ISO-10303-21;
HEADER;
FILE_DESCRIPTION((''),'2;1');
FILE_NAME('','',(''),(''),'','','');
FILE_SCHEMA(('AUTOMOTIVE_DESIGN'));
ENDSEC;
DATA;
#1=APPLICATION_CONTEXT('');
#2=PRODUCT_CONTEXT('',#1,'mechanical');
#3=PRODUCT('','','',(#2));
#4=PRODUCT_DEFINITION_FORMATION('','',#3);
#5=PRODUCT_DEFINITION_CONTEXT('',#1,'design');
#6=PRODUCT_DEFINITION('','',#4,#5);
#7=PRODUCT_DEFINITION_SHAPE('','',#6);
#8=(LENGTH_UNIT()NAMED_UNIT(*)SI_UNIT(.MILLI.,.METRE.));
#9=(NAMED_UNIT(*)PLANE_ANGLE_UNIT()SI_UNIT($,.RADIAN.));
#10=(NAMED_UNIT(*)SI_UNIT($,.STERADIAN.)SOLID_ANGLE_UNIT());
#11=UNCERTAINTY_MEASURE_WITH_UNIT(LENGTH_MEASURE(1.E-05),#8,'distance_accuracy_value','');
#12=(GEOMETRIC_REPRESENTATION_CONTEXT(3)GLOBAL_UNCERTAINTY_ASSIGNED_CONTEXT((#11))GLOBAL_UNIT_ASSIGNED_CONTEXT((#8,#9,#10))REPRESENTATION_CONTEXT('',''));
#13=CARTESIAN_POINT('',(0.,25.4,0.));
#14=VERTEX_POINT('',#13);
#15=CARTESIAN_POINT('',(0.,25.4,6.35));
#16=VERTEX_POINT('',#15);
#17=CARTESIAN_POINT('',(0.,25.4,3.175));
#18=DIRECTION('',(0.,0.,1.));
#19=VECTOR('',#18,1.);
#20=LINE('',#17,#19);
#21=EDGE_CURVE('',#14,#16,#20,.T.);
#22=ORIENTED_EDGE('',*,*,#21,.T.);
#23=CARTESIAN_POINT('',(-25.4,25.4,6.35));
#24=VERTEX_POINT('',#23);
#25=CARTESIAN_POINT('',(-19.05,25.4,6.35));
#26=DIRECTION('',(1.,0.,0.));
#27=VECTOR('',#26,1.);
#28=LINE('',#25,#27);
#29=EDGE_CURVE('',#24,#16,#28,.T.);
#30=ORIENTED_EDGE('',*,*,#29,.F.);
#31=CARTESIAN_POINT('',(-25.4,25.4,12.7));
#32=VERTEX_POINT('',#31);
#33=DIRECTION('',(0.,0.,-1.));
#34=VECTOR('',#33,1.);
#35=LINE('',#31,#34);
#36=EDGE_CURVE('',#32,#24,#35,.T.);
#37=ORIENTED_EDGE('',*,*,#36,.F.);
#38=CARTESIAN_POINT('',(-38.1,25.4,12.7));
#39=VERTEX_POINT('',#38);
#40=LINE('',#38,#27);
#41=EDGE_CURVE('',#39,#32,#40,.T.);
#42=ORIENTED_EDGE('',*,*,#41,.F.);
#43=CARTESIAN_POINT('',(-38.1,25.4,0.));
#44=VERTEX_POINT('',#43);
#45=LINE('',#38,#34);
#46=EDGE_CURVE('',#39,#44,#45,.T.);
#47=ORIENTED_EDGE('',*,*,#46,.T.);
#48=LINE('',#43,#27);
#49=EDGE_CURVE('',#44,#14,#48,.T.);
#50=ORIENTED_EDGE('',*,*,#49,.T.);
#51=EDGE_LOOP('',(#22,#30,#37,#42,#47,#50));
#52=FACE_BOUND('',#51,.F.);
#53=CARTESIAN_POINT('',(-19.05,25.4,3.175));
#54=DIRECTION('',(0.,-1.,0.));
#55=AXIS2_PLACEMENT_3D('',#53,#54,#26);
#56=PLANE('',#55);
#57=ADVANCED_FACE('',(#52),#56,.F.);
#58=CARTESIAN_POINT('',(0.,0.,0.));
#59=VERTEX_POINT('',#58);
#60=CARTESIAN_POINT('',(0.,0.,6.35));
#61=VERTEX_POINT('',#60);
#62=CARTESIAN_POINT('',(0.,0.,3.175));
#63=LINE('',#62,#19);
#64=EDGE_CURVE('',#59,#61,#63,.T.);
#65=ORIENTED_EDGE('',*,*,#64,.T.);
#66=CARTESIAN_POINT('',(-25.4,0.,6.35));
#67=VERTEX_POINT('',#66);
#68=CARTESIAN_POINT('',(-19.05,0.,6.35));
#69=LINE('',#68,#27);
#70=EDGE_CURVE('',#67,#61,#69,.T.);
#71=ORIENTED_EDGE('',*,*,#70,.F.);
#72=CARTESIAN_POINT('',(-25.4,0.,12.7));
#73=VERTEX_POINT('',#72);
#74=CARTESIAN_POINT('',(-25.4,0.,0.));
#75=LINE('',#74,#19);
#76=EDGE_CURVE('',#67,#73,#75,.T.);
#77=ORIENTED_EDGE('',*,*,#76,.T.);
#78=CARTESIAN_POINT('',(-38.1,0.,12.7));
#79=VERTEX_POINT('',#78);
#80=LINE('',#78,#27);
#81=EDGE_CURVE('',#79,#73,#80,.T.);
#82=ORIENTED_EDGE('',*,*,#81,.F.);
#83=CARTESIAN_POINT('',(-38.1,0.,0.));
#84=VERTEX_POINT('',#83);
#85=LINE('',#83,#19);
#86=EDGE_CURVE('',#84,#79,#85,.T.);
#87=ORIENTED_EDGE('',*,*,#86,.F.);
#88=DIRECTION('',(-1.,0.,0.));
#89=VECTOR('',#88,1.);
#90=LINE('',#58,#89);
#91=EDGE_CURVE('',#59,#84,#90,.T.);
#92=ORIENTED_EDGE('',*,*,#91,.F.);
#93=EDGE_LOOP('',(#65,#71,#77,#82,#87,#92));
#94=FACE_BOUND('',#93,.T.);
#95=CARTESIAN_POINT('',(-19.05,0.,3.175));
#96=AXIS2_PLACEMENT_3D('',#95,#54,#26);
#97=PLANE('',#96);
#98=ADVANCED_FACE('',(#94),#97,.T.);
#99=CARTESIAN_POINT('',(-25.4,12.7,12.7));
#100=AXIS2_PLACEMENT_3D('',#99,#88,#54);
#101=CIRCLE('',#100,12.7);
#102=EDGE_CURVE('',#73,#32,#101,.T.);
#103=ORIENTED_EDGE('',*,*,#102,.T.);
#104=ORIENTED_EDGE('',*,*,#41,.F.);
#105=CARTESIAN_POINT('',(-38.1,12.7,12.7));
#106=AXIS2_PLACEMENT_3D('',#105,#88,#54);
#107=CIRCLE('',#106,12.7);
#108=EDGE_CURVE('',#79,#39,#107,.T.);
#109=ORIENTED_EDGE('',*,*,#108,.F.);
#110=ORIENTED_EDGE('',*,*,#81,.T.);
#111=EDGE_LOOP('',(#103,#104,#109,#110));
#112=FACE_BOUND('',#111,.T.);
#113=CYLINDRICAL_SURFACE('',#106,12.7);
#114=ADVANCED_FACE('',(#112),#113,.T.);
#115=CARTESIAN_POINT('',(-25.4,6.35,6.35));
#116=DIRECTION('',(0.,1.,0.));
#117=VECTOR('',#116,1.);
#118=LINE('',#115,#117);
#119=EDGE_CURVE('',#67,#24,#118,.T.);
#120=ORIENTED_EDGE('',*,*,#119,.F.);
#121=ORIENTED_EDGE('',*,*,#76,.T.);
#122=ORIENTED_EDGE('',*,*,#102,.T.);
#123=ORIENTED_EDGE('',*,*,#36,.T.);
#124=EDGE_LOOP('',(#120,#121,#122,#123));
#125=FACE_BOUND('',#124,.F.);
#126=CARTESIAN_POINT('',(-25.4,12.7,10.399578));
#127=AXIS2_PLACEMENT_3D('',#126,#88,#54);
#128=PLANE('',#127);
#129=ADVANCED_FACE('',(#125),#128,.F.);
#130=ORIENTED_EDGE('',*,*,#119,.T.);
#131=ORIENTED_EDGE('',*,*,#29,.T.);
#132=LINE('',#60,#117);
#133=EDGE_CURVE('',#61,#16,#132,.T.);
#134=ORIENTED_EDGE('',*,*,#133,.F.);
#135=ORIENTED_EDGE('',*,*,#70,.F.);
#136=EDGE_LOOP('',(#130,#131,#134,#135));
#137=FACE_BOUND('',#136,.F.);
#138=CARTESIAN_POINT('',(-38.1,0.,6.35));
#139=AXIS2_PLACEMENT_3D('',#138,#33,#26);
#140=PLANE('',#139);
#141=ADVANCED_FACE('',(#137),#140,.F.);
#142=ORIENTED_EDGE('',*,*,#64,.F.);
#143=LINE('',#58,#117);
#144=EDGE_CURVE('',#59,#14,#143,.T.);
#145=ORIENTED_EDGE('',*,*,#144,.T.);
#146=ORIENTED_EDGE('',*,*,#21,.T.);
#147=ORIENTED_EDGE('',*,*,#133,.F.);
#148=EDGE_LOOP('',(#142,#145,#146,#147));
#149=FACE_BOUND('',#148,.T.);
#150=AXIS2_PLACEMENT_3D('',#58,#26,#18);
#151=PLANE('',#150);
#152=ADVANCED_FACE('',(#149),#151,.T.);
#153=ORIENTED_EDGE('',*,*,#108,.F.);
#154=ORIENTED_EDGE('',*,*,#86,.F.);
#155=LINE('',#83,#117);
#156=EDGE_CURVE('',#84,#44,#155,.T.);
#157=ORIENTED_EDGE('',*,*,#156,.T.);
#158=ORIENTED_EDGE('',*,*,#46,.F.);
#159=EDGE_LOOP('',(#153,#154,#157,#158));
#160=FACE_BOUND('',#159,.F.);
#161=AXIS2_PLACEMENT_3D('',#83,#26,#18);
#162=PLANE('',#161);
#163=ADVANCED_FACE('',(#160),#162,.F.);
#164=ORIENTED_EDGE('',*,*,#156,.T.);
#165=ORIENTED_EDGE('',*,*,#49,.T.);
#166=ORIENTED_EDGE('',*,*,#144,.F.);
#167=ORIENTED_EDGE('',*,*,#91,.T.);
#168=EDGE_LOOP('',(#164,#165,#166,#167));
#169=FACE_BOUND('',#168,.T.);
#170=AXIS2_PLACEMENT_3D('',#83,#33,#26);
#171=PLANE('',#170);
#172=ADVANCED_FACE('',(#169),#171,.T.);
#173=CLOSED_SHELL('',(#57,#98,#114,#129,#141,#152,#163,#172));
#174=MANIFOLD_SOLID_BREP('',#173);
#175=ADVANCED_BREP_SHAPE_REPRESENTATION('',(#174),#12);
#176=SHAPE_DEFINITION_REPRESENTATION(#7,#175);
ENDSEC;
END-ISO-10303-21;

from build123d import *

# Parameters (mm, degrees)
F0_W     = 38.1
F0_H     = 6.35
F1_DEPTH = 25.4
F3_DEPTH = 12.7


with BuildPart() as f1:
    # F0 (on Front) → F1 (new body)
    with BuildSketch(Plane.XZ):
        with Locations((-19.05, 3.175)):
            Rectangle(F0_W, F0_H)
    extrude(amount=-F1_DEPTH)

    # F2 (on face) → F3 (join)
    with BuildSketch(Plane(origin=(-38.1, 0, 0), x_dir=(0, -1, 0), z_dir=(-1, 0, 0))):
        with BuildLine():
            Line((0, 0), (0, 12.7))
            ThreePointArc((0, 12.7), (-12.7, 25.4), (-25.4, 12.7))
            Line((-25.4, 12.7), (-25.4, 0))
            Line((-25.4, 0), (0, 0))
        make_face()
    extrude(amount=-F3_DEPTH)


solid = f1.part
